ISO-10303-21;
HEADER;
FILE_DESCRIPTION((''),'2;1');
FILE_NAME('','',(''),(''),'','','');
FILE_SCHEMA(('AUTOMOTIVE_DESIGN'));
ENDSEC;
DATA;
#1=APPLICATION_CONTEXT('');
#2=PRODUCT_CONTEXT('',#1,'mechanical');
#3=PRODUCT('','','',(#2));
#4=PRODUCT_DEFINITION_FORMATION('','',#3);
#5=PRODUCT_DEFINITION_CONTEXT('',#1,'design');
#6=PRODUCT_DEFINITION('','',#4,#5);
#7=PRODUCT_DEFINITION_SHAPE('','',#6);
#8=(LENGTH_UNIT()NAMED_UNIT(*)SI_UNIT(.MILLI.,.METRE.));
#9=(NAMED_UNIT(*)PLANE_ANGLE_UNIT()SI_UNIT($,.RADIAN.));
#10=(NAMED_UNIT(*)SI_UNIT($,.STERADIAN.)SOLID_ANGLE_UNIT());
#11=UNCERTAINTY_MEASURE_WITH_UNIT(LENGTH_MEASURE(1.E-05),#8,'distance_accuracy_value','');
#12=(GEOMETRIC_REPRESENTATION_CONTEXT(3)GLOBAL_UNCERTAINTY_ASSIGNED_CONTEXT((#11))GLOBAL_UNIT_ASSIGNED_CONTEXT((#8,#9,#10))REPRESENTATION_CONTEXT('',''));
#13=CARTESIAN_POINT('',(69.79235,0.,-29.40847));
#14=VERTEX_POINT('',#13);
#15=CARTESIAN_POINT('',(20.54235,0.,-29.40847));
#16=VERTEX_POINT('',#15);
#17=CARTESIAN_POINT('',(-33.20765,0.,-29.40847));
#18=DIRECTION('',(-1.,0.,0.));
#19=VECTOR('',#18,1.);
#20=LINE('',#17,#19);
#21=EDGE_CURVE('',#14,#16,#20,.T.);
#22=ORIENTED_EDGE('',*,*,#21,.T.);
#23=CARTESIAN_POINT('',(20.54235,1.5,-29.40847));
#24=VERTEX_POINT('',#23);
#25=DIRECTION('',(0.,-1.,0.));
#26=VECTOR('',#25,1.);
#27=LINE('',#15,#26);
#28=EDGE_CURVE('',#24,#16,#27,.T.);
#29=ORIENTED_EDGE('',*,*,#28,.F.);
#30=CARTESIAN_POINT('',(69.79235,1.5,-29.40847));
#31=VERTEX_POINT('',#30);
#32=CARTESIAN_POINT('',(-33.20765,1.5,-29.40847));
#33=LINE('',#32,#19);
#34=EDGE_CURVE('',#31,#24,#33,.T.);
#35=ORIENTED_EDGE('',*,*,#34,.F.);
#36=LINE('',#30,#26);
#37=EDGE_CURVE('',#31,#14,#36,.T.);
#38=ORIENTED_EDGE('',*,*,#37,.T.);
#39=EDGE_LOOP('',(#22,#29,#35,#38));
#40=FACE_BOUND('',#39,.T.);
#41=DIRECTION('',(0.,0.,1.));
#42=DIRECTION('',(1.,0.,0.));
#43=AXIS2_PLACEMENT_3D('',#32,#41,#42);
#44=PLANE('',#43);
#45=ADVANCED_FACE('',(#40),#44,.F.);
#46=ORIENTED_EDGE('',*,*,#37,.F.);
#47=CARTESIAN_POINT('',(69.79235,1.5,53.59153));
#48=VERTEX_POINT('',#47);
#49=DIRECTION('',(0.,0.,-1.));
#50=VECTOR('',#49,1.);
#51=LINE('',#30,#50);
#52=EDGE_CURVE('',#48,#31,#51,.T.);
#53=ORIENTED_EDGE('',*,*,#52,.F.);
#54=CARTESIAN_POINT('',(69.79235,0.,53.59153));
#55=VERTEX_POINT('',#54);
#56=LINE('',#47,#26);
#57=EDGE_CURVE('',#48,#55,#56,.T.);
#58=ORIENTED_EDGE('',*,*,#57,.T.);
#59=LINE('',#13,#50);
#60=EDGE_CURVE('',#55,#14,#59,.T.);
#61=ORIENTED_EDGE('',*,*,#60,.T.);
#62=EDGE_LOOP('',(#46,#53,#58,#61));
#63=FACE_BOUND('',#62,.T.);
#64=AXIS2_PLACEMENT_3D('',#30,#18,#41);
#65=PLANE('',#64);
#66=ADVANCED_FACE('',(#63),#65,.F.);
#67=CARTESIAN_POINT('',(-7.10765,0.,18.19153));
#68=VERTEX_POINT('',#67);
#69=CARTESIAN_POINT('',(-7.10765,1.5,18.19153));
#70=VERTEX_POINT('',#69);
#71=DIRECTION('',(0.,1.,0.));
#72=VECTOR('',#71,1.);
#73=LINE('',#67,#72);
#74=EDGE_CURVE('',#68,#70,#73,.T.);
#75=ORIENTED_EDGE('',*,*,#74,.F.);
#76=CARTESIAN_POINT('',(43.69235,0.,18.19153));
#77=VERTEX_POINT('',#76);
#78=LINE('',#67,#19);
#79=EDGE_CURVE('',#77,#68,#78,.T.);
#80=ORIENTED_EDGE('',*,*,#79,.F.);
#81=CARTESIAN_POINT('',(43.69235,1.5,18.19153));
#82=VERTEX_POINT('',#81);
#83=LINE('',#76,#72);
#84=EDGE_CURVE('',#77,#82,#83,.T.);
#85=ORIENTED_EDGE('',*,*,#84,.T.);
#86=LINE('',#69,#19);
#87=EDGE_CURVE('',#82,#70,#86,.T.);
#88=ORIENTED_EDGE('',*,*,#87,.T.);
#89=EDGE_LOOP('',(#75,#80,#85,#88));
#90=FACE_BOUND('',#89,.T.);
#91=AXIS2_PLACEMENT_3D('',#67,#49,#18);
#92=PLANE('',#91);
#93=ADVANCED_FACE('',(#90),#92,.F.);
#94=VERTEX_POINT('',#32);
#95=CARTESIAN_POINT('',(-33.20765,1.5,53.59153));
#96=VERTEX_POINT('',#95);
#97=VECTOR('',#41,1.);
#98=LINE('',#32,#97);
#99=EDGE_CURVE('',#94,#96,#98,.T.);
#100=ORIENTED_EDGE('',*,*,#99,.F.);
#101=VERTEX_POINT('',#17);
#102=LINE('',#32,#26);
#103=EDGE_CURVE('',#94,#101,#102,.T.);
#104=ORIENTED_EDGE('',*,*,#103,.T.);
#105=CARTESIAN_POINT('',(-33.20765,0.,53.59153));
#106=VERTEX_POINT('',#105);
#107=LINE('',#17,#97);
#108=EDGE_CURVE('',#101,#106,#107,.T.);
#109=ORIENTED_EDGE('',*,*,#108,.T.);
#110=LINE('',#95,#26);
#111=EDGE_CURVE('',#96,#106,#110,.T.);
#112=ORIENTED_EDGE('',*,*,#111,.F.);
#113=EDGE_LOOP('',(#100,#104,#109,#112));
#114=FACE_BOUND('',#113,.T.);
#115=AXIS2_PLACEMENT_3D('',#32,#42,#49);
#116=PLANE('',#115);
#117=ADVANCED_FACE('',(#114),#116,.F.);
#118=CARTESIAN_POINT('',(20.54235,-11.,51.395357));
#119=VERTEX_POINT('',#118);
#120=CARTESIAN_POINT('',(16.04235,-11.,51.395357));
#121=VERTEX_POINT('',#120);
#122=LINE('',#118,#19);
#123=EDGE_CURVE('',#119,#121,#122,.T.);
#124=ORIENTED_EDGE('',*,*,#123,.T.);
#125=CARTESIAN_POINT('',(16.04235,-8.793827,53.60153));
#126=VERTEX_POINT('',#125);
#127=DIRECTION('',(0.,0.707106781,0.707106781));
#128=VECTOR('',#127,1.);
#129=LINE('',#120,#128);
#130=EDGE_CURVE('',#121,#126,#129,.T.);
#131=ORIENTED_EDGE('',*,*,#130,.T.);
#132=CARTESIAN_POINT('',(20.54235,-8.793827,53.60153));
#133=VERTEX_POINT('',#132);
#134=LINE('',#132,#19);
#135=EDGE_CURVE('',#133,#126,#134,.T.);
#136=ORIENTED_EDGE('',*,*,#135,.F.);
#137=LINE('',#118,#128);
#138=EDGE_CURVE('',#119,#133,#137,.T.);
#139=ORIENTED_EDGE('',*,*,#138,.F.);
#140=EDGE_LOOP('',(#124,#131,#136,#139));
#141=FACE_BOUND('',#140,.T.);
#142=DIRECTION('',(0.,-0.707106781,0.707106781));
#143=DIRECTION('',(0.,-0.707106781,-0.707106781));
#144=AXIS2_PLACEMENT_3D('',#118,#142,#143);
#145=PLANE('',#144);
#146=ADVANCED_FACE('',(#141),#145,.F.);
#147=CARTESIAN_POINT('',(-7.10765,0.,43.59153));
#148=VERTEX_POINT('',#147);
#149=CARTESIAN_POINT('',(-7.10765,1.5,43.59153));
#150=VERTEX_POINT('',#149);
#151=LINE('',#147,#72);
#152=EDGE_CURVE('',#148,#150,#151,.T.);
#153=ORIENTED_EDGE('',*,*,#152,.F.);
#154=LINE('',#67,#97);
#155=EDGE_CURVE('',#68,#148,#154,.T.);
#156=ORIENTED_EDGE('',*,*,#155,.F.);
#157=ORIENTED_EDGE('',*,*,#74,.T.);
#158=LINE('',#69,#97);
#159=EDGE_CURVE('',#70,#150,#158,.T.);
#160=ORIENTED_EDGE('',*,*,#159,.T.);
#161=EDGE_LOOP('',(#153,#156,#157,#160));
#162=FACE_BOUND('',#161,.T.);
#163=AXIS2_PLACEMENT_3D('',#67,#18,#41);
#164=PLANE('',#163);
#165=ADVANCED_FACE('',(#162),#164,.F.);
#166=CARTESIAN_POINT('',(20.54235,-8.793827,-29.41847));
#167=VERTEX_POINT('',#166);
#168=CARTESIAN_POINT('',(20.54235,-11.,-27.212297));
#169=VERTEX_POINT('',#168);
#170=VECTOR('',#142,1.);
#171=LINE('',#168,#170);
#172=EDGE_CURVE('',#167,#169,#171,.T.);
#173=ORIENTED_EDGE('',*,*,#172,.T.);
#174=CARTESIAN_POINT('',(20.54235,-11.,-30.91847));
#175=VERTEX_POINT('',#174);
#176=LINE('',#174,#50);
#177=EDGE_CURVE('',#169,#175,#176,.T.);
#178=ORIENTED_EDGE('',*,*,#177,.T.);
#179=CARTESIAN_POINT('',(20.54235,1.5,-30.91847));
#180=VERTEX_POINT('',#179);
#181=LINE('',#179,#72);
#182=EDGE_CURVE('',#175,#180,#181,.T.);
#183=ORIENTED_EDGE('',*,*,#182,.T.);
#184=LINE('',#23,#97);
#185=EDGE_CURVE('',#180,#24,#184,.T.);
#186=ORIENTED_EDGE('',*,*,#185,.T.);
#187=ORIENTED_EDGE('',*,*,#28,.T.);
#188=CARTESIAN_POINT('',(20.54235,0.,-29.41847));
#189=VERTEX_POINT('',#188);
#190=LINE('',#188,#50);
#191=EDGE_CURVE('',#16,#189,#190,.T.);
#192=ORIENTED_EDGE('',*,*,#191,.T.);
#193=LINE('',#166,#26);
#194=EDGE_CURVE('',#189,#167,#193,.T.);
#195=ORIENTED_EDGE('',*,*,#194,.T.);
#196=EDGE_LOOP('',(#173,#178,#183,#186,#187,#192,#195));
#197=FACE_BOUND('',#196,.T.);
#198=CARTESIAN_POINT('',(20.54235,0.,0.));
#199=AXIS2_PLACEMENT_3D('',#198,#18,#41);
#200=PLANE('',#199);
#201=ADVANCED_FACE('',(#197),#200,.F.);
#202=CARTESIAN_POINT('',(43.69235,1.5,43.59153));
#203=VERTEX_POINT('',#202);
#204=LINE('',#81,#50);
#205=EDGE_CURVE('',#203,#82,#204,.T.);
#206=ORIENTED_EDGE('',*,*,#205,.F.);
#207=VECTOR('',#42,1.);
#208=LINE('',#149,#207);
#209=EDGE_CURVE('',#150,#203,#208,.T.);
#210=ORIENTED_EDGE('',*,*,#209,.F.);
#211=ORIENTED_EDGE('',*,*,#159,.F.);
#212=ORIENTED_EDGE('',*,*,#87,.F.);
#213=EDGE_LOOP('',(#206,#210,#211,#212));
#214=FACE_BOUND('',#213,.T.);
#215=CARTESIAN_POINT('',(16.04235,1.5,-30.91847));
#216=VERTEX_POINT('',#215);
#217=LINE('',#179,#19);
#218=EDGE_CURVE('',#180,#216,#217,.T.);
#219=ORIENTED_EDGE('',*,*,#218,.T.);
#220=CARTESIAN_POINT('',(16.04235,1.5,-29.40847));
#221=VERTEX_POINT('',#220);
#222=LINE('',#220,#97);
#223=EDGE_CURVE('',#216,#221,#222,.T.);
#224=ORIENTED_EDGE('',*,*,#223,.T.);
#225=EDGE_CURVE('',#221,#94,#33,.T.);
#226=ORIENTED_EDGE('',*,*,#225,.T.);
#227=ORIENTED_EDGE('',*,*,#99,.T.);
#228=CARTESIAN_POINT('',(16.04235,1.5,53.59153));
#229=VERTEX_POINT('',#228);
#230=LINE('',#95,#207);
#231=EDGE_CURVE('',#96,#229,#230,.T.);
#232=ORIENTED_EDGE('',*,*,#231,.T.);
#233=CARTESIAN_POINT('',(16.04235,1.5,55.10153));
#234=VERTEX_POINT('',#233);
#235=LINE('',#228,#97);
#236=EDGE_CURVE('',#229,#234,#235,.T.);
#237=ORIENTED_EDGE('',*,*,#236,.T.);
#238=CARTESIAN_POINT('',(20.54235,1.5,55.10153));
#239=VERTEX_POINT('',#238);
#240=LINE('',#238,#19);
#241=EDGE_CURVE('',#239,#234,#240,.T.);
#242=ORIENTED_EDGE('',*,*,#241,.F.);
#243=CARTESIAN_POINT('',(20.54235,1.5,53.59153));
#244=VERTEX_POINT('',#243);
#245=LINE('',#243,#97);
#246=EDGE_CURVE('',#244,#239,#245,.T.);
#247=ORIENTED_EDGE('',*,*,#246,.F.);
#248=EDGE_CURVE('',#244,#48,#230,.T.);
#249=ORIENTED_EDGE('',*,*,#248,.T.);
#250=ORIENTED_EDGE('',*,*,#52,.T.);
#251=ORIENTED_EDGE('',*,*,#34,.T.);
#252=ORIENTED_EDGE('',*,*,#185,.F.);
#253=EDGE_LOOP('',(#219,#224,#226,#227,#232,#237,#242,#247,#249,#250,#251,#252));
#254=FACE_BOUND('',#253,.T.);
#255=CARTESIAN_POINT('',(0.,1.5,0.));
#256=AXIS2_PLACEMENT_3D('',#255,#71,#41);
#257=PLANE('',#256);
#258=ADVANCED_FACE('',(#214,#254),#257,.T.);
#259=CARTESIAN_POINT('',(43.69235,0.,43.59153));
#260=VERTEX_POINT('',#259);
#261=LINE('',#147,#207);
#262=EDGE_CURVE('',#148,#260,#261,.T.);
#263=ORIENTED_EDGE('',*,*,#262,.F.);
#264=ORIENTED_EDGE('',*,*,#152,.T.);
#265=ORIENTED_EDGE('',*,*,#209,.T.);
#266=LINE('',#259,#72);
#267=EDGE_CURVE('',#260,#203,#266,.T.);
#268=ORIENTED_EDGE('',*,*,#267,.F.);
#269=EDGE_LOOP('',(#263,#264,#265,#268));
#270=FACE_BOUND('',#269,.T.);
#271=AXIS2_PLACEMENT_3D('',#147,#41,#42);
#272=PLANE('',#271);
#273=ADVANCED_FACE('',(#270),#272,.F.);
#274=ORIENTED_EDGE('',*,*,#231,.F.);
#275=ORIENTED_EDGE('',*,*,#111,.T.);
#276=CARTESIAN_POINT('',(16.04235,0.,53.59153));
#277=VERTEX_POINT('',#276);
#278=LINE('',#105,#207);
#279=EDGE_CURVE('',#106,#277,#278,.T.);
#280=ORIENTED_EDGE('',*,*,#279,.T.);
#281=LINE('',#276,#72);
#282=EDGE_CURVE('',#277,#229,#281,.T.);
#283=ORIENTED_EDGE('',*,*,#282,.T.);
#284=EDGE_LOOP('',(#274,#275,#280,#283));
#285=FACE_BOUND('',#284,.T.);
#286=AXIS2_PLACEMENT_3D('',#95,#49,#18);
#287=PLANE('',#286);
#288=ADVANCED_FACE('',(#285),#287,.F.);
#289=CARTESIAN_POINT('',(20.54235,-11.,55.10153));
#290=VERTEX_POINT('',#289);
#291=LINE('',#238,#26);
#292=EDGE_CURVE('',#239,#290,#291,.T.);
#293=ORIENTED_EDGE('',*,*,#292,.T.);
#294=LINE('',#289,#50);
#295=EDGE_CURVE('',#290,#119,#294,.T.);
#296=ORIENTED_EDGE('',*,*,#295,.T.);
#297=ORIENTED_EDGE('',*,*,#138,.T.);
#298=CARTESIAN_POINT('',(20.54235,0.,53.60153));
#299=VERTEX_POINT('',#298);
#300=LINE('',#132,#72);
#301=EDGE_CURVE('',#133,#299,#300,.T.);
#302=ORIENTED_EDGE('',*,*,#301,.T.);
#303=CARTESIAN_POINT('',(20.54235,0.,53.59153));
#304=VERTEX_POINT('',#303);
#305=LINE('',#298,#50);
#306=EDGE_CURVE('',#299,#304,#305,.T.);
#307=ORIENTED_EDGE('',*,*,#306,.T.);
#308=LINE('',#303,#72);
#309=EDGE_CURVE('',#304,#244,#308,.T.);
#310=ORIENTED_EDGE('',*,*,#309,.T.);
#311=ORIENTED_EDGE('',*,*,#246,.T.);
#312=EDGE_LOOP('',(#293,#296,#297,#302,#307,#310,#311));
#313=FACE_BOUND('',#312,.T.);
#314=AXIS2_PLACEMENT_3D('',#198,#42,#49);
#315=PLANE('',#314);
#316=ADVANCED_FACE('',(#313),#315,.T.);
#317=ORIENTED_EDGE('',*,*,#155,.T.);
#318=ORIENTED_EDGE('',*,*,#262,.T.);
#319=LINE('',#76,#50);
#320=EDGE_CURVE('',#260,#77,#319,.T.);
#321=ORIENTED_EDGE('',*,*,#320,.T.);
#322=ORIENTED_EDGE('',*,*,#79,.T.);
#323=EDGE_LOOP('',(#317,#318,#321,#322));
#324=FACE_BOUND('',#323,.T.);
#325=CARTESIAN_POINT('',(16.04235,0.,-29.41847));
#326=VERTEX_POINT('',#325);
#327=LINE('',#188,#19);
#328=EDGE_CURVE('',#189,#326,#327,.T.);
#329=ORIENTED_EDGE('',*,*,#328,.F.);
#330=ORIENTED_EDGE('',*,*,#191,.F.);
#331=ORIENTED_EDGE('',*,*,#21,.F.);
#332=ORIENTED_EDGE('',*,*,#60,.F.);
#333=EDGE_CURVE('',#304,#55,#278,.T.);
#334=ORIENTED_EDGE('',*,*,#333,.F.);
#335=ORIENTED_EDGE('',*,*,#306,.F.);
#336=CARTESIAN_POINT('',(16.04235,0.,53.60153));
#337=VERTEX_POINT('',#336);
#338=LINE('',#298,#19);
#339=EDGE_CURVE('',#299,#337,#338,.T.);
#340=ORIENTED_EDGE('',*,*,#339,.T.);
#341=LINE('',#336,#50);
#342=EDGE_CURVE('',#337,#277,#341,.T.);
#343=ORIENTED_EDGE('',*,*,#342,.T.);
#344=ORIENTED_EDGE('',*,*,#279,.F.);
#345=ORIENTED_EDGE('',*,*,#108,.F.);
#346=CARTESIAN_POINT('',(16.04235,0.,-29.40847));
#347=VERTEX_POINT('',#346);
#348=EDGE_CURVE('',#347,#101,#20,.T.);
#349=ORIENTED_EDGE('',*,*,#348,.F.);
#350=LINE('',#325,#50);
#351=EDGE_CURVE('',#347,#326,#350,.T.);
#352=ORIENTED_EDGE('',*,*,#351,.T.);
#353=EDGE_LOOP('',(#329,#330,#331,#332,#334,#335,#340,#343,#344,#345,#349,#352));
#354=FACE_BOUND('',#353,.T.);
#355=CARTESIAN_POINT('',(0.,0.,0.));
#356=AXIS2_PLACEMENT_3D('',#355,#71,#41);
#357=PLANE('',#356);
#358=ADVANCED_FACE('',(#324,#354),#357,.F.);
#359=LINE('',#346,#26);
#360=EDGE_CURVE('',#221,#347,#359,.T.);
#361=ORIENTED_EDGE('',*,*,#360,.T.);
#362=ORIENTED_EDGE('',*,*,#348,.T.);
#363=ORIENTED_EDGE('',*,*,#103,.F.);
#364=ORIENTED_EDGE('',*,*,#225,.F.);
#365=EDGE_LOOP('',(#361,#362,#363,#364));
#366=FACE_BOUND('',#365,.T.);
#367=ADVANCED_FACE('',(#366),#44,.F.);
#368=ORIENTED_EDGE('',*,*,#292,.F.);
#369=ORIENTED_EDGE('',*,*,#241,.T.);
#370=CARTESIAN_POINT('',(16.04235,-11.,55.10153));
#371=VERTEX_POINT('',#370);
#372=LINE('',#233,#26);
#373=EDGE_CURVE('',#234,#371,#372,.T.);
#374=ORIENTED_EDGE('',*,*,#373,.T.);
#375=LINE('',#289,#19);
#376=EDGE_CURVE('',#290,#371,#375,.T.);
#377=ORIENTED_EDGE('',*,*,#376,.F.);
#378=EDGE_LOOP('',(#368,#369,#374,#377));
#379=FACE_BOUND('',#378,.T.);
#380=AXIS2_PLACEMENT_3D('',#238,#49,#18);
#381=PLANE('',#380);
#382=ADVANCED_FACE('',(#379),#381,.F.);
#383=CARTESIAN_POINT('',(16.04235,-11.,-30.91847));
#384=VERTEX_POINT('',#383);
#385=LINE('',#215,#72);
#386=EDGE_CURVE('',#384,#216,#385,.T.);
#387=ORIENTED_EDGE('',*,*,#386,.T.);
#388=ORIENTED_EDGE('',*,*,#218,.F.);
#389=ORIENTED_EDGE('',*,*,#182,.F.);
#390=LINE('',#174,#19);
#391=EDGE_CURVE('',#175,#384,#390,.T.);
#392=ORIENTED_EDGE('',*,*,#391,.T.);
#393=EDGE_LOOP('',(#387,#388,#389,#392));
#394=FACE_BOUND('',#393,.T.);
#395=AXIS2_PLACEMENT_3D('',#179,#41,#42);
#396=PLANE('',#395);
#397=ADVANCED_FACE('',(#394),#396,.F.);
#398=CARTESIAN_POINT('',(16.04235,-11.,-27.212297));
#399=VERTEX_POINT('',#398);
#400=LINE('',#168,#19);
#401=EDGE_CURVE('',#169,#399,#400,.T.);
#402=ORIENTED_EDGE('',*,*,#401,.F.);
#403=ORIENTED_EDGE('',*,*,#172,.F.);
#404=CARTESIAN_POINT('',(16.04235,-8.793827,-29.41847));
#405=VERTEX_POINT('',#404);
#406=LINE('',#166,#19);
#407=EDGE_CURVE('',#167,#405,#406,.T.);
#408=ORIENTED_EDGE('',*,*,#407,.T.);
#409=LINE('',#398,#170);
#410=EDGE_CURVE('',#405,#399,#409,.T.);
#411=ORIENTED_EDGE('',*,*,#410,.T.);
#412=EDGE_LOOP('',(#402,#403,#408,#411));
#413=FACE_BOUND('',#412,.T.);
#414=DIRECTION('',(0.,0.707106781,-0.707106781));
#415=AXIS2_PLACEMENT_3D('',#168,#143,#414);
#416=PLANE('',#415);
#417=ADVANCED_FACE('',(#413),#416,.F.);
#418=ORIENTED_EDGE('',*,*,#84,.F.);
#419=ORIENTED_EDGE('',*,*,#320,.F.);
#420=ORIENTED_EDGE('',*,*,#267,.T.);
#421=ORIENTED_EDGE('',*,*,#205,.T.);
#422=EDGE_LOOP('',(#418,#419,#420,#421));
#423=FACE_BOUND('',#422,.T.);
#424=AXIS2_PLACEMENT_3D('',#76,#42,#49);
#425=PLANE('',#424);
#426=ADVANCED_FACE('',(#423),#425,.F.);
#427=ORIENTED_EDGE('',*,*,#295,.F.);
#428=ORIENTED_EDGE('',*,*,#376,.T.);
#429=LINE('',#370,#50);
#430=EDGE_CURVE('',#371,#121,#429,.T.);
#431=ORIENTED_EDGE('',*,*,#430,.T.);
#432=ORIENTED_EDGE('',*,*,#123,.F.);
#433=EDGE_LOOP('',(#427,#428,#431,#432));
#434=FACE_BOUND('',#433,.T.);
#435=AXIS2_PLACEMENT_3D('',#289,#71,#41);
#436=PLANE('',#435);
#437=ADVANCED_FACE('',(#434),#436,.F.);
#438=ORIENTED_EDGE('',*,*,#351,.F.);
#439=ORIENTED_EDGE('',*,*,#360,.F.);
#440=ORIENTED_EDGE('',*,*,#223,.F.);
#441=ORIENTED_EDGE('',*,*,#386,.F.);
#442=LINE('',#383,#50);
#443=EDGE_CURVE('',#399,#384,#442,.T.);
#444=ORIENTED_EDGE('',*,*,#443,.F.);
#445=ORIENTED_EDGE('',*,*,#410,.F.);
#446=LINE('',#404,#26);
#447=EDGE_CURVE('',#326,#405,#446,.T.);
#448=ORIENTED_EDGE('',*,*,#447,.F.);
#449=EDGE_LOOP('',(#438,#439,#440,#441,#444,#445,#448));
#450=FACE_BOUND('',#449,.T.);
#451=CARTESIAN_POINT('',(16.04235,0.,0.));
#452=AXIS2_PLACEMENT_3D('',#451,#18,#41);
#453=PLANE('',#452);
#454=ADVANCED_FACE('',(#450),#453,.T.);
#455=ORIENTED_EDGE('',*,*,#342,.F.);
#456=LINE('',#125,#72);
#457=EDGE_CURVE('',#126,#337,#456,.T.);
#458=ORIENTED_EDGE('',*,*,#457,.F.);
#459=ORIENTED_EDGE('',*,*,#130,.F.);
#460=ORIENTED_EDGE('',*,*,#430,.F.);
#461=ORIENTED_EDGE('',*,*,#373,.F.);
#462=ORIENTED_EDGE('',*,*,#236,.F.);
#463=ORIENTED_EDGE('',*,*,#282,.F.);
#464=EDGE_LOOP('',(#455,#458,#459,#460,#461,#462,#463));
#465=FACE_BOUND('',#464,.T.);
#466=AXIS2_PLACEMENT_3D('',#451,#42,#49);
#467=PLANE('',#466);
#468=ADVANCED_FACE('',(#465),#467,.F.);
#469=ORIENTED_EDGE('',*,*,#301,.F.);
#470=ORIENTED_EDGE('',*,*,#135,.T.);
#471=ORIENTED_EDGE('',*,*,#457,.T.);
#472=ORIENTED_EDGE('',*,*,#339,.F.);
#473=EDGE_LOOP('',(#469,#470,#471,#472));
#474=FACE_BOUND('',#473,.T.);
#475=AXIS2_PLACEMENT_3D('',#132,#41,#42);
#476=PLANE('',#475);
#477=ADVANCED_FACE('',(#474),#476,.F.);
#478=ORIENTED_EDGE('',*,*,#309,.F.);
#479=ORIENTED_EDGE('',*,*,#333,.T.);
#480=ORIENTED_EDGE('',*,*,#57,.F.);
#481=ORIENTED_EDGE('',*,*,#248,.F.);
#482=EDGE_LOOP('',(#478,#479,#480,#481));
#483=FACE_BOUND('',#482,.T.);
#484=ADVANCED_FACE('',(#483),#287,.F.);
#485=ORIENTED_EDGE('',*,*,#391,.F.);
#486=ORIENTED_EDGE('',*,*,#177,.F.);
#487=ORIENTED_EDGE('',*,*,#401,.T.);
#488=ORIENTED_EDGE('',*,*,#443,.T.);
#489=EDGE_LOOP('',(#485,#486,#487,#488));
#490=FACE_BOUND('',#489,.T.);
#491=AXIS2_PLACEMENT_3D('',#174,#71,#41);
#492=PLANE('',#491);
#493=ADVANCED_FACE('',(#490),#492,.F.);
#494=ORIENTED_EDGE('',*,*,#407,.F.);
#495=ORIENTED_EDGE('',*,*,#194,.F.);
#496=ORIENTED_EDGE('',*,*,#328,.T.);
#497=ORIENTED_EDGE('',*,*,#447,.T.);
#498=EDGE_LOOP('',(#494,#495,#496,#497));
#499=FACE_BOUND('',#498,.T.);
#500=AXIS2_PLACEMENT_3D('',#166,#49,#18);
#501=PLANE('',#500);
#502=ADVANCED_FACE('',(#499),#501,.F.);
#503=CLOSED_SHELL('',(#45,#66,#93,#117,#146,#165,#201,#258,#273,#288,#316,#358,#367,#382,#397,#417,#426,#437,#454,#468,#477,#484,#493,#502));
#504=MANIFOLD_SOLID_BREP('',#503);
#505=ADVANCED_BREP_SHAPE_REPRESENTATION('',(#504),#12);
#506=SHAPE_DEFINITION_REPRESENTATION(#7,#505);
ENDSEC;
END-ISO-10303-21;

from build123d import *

# Parameters (mm, degrees)
SKETCH1_W           = 103
SKETCH1_H           = 83
BOSS_EXTRUDE1_DEPTH = 1.5
BOSS_EXTRUDE2_DEPTH = 2.25
SKETCH3_W           = 50.8
SKETCH3_H           = 25.4
CUT_EXTRUDE1_DEPTH  = 1.5


with BuildPart() as part:
    # Sketch1 → Boss-Extrude1 (new body)
    with BuildSketch(Plane(origin=(0, 0, 0), x_dir=(1, 0, 0), z_dir=(0, 1, 0))):
        with Locations((18.292349727, -12.091530055)):
            Rectangle(SKETCH1_W, SKETCH1_H)
    extrude(amount=BOSS_EXTRUDE1_DEPTH)

    # Sketch2 → Boss-Extrude2 (add, symmetric)
    with BuildSketch(Plane(origin=(18.292349727, 0, 0), x_dir=(0, 0, -1), z_dir=(1, 0, 0))):
        Polygon((-53.591530055, 1.5), (-55.101530055, 1.5), (-55.101530055, -11), (-51.395356897, -11), (-53.601530055, -8.793826843), (-53.601530055, 0), (-53.591530055, 0), align=None)
        Polygon((29.408469945, 0), (29.408469945, 1.5), (30.918469945, 1.5), (30.918469945, -11), (27.212296788, -11), (29.418469945, -8.793826843), (29.418469945, 0), align=None)
    extrude(amount=BOSS_EXTRUDE2_DEPTH, both=True)

    # Sketch3 → Cut-Extrude1 (cut)
    with BuildSketch(Plane(origin=(0, 1.5, 0), x_dir=(1, 0, 0), z_dir=(0, 1, 0))):
        with Locations((18.292349727, -30.891530055)):
            Rectangle(SKETCH3_W, SKETCH3_H)
    extrude(amount=-CUT_EXTRUDE1_DEPTH, mode=Mode.SUBTRACT)


solid = part.part
